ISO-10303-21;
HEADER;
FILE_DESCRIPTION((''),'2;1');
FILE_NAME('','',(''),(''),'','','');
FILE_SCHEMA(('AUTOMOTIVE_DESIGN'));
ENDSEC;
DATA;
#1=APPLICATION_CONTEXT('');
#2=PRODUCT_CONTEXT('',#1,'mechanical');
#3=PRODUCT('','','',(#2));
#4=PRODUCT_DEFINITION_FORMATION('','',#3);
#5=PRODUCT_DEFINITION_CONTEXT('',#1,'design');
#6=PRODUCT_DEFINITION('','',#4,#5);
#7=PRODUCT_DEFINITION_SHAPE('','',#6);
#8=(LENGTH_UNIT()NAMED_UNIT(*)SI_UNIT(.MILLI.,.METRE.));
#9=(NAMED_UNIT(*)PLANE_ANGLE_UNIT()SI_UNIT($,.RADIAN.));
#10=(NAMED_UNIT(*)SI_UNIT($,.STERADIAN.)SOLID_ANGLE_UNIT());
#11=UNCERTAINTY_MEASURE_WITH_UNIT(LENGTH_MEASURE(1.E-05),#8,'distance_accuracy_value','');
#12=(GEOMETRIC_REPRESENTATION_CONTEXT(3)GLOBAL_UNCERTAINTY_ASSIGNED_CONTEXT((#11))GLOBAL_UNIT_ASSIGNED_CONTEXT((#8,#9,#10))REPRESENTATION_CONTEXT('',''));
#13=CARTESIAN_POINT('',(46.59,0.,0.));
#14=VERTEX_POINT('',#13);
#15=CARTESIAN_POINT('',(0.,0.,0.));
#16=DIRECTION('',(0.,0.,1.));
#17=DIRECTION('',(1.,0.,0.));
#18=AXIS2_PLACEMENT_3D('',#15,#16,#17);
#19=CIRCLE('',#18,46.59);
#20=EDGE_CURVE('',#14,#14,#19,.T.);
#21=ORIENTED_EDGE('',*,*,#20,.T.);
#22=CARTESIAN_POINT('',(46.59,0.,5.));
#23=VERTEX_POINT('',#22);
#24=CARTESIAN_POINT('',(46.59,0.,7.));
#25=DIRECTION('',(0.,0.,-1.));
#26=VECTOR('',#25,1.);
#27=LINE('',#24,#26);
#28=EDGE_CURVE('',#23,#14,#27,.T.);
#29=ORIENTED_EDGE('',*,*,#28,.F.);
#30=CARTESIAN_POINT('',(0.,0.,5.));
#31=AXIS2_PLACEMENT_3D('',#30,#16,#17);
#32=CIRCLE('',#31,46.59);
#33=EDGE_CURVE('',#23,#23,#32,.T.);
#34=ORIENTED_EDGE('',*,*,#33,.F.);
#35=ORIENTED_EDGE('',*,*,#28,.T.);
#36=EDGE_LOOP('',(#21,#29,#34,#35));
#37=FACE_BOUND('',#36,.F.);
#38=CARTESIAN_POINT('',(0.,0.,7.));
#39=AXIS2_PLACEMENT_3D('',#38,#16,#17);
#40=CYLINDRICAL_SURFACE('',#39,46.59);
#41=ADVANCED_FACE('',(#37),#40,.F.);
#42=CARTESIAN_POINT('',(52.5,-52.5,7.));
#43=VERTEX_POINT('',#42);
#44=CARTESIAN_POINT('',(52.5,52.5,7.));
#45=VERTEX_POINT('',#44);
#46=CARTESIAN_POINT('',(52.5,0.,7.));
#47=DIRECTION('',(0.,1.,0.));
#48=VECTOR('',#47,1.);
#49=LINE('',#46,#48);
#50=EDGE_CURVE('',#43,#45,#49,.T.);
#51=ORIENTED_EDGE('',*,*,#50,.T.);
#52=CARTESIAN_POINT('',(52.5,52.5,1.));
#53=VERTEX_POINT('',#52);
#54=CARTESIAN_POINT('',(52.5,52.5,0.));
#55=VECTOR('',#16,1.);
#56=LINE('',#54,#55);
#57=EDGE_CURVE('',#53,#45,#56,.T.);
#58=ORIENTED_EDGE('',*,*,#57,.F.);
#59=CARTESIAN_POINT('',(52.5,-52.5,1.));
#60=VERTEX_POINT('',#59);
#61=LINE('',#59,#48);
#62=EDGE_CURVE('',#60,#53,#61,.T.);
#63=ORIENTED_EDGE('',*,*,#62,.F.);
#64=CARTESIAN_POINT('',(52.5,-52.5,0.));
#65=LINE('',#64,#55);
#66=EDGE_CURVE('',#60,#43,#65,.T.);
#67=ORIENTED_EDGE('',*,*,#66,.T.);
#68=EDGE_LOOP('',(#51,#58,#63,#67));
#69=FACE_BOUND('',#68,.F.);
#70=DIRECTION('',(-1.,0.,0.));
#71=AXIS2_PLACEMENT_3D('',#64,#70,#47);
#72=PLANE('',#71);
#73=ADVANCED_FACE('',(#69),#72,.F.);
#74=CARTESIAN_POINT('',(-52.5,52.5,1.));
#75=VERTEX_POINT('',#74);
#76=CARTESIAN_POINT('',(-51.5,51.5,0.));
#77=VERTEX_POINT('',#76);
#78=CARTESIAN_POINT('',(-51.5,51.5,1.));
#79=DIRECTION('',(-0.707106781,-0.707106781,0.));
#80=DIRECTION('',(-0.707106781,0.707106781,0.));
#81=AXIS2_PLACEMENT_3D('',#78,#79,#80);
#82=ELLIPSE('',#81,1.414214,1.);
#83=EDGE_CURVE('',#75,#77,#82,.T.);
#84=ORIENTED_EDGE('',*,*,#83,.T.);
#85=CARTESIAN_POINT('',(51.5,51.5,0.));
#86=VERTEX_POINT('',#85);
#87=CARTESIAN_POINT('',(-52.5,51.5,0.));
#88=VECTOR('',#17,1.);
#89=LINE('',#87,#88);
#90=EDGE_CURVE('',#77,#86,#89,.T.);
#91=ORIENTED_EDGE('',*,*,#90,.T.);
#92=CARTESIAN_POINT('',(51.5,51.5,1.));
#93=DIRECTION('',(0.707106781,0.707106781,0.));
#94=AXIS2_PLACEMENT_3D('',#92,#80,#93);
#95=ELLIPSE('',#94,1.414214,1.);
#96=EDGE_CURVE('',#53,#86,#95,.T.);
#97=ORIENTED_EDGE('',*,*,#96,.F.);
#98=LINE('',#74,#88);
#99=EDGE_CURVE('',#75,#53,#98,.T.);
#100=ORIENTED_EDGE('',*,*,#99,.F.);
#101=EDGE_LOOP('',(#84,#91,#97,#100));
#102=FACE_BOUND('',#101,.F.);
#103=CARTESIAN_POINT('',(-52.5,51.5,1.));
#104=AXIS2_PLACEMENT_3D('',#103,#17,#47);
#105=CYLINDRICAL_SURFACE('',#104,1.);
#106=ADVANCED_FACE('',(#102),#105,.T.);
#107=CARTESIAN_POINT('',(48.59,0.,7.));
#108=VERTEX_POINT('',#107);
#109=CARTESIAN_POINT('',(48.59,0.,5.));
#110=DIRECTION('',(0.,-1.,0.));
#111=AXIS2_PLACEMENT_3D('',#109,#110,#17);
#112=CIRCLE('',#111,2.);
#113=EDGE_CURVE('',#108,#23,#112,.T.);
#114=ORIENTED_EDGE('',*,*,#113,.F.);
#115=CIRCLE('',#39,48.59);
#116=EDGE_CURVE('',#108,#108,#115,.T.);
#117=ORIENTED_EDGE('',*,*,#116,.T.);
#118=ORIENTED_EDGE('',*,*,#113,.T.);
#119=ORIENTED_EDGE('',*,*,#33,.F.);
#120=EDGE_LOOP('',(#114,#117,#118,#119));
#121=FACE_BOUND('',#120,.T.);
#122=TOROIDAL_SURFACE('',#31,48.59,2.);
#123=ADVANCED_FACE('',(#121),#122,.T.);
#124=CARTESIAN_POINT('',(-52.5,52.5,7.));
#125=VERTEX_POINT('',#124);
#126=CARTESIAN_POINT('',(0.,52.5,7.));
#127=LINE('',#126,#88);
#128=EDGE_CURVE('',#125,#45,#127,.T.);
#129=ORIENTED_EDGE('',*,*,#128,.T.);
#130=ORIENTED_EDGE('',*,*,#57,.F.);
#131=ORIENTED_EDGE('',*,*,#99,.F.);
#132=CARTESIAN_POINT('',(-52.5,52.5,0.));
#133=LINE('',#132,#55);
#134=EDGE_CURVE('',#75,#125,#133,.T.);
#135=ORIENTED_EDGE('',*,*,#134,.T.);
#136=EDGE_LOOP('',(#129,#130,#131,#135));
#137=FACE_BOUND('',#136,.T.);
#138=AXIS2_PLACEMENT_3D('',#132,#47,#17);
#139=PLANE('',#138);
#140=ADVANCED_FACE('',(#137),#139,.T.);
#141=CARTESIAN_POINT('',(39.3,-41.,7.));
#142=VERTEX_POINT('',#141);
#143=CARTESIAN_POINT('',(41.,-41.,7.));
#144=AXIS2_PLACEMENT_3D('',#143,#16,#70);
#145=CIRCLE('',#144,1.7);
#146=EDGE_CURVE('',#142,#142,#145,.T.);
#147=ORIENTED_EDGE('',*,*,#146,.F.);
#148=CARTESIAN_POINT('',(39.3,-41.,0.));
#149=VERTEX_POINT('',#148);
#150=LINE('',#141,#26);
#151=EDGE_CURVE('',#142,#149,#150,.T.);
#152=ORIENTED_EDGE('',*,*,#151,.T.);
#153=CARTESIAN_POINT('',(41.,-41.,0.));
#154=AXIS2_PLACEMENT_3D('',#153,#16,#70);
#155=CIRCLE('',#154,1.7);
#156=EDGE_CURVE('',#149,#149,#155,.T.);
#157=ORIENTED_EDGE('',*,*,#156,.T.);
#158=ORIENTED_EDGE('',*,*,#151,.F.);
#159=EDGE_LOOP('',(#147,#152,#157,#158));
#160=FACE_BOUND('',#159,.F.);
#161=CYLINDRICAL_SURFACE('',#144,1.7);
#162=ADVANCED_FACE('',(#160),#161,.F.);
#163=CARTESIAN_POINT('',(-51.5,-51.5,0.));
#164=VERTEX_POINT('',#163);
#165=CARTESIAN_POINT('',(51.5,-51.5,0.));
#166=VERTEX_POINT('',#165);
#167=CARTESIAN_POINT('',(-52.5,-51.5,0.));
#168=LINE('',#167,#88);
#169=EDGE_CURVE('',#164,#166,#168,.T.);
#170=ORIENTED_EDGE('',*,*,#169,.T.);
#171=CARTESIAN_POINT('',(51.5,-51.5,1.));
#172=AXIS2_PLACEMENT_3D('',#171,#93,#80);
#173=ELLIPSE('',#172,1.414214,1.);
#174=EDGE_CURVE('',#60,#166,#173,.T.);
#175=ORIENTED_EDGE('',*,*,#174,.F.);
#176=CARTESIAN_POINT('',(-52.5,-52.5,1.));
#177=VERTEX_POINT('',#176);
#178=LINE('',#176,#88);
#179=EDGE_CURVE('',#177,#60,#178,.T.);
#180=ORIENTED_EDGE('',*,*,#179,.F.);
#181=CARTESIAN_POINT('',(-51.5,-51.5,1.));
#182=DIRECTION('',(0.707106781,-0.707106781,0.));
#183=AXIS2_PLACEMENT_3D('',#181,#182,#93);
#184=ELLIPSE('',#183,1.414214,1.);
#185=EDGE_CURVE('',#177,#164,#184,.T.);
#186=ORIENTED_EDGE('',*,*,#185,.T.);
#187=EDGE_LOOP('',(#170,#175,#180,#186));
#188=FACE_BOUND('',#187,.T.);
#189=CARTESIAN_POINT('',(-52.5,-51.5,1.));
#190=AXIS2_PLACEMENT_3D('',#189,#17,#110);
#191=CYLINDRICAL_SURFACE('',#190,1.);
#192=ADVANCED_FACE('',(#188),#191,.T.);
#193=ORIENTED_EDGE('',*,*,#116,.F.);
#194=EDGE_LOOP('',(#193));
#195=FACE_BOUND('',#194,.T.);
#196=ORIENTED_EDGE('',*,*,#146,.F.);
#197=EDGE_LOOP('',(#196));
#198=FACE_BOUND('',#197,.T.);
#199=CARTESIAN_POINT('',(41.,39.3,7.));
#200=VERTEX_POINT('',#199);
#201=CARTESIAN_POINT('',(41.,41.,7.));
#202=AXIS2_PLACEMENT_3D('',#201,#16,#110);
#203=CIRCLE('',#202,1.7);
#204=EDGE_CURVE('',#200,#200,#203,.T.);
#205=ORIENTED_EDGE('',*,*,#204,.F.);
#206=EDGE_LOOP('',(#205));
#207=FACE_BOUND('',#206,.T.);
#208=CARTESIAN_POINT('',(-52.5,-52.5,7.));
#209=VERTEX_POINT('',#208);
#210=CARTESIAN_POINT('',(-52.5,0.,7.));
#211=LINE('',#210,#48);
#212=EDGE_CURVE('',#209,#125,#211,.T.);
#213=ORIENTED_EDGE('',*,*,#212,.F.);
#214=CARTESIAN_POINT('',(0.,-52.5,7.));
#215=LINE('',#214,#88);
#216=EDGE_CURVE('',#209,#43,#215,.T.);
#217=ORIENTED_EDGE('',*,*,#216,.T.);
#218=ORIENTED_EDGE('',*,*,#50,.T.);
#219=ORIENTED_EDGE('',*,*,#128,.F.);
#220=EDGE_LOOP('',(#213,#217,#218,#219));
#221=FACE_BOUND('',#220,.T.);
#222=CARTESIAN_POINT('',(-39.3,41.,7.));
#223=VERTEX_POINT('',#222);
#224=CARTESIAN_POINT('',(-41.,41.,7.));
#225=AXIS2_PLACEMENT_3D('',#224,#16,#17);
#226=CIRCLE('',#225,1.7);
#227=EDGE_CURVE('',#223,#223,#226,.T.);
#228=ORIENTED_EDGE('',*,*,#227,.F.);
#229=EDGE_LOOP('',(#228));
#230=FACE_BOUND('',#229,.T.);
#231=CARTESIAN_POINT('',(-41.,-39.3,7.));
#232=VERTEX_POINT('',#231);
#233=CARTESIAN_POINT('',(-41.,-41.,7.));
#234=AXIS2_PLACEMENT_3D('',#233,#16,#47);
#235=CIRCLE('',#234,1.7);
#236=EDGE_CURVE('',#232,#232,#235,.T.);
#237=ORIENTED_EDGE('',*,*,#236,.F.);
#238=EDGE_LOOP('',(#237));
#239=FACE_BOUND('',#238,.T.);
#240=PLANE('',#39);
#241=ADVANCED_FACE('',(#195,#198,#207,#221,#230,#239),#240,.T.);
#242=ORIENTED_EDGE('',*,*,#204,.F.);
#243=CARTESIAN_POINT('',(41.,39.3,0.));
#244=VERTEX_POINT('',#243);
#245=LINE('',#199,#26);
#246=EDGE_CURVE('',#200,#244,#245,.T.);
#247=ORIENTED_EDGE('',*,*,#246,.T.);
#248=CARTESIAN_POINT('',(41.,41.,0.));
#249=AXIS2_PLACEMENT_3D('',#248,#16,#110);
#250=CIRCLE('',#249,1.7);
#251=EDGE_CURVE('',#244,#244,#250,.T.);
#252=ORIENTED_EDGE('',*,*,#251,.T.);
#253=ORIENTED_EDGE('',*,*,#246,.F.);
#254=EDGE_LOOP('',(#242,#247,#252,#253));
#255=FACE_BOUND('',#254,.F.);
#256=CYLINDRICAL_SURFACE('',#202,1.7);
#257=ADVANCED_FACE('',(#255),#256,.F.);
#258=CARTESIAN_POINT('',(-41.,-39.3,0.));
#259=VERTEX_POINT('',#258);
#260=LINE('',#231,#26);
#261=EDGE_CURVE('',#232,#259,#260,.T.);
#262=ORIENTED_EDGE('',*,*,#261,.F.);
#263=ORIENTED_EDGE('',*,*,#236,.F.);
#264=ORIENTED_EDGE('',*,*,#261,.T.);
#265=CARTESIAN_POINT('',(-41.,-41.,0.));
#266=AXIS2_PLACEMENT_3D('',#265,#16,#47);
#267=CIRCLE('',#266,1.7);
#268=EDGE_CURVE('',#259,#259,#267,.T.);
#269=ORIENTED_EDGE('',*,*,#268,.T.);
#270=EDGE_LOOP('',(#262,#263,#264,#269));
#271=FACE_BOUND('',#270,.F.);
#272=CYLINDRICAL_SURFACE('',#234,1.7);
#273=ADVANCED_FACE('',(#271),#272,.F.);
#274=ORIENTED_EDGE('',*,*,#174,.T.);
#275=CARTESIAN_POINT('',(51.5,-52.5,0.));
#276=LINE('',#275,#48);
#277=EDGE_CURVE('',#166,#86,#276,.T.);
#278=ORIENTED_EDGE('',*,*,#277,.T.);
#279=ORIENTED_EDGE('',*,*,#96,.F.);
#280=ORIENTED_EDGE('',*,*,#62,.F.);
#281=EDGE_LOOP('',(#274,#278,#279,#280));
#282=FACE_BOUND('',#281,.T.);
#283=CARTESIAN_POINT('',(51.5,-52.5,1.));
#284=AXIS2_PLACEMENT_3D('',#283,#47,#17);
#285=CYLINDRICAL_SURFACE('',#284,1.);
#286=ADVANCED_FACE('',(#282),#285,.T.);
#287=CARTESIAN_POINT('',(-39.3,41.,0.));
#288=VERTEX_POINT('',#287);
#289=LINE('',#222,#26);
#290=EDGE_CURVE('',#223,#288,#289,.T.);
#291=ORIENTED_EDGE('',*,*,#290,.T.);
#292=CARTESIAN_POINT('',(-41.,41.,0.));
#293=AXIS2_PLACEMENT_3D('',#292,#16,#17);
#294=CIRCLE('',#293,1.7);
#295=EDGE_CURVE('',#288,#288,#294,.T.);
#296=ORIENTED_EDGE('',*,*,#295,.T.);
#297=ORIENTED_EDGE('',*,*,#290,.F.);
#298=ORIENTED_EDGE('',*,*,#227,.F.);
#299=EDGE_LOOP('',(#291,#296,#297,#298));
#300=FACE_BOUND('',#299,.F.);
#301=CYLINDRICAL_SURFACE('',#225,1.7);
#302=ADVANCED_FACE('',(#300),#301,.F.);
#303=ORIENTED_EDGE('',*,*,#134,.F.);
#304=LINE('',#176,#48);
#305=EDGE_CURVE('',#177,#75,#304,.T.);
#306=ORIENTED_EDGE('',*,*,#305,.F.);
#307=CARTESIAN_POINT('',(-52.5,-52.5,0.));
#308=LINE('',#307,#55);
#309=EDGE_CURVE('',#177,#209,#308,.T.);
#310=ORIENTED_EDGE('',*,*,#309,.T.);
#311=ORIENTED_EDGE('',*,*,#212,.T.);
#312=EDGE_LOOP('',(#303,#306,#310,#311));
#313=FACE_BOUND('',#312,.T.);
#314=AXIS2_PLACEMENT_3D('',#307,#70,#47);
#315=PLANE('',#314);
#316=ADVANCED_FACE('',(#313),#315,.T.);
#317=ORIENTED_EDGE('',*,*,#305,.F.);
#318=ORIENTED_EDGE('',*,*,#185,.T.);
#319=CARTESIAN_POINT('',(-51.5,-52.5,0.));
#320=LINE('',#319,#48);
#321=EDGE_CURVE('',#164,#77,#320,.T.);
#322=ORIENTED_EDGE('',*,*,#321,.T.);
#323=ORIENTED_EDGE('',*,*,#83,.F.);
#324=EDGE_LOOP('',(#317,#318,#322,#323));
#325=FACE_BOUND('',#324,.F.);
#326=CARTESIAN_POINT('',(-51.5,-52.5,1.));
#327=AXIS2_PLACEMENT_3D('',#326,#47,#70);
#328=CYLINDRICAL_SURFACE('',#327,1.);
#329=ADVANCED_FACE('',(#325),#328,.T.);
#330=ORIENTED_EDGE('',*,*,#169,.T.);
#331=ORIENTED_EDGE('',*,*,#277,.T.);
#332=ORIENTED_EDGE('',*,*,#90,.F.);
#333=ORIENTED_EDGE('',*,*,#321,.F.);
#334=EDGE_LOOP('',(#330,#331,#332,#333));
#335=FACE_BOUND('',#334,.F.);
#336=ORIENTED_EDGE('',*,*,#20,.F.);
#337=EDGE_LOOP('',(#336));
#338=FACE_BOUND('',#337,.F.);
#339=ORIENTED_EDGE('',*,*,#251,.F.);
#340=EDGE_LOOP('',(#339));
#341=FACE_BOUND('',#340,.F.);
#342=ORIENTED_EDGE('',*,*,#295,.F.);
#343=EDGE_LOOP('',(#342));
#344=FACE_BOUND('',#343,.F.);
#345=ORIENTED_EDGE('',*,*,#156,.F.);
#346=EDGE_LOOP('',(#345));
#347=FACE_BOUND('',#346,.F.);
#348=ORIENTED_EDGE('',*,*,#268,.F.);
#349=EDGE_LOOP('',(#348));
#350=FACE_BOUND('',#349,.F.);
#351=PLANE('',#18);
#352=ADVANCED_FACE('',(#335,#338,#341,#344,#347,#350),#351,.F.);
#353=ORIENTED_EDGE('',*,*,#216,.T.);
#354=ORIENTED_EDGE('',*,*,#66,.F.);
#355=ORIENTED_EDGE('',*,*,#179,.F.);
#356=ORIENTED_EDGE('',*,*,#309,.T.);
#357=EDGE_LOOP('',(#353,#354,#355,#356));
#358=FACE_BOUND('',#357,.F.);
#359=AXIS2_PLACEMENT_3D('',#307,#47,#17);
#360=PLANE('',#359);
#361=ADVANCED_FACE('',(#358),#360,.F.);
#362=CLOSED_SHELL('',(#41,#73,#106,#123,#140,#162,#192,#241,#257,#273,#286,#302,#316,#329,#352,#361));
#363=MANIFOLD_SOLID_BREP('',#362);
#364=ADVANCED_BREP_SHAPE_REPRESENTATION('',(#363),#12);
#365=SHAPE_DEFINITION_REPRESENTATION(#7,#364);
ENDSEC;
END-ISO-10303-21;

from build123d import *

# Parameters (mm, degrees)
SKETCH_W           = 105
SKETCH_H           = 105
PAD_DEPTH          = 7
SKETCH002_R        = 1.7
POCKET_DEPTH       = 9
POLARPATTERN_COUNT = 4
SKETCH001_R        = 46.59
POCKET001_DEPTH    = 8
FILLET_R           = 2
FILLET001_R        = 1


with BuildPart() as part:
    # Sketch → Pad (new body)
    with BuildSketch(Plane.XY):
        Rectangle(SKETCH_W, SKETCH_H)
    extrude(amount=PAD_DEPTH)

    # Sketch002 (on Face6 of Pad) → Pocket (cut)
    with BuildSketch(Plane.XY.offset(7)):
        with Locations((-41, 41)):
            Circle(SKETCH002_R)
    pocket = extrude(amount=-POCKET_DEPTH, mode=Mode.SUBTRACT)

    # PolarPattern: Pocket ×4 about axis
    polarpattern_axis = Axis((0, 0, 7), (0, 0, 1))
    for i in range(1, POLARPATTERN_COUNT):
        add(pocket.rotate(polarpattern_axis, i * 360 / POLARPATTERN_COUNT), mode=Mode.SUBTRACT)

    # Sketch001 (on Face6 of Pad) → Pocket001 (cut)
    with BuildSketch(Plane.XY.offset(7)):
        Circle(SKETCH001_R)
    extrude(amount=-POCKET001_DEPTH, mode=Mode.SUBTRACT)

    # Fillet
    fillet_edges = [part.edges().sort_by_distance(p)[0] for p in [
        (-46.59, 0, 7),
    ]]
    fillet(fillet_edges, radius=FILLET_R)

    # Fillet001
    fillet001_edges = [part.edges().sort_by_distance(p)[0] for p in [
        (52.5, 0, 0),
        (-52.5, 0, 0),
        (0, -52.5, 0),
        (0, 52.5, 0),
    ]]
    fillet(fillet001_edges, radius=FILLET001_R)


solid = part.part
